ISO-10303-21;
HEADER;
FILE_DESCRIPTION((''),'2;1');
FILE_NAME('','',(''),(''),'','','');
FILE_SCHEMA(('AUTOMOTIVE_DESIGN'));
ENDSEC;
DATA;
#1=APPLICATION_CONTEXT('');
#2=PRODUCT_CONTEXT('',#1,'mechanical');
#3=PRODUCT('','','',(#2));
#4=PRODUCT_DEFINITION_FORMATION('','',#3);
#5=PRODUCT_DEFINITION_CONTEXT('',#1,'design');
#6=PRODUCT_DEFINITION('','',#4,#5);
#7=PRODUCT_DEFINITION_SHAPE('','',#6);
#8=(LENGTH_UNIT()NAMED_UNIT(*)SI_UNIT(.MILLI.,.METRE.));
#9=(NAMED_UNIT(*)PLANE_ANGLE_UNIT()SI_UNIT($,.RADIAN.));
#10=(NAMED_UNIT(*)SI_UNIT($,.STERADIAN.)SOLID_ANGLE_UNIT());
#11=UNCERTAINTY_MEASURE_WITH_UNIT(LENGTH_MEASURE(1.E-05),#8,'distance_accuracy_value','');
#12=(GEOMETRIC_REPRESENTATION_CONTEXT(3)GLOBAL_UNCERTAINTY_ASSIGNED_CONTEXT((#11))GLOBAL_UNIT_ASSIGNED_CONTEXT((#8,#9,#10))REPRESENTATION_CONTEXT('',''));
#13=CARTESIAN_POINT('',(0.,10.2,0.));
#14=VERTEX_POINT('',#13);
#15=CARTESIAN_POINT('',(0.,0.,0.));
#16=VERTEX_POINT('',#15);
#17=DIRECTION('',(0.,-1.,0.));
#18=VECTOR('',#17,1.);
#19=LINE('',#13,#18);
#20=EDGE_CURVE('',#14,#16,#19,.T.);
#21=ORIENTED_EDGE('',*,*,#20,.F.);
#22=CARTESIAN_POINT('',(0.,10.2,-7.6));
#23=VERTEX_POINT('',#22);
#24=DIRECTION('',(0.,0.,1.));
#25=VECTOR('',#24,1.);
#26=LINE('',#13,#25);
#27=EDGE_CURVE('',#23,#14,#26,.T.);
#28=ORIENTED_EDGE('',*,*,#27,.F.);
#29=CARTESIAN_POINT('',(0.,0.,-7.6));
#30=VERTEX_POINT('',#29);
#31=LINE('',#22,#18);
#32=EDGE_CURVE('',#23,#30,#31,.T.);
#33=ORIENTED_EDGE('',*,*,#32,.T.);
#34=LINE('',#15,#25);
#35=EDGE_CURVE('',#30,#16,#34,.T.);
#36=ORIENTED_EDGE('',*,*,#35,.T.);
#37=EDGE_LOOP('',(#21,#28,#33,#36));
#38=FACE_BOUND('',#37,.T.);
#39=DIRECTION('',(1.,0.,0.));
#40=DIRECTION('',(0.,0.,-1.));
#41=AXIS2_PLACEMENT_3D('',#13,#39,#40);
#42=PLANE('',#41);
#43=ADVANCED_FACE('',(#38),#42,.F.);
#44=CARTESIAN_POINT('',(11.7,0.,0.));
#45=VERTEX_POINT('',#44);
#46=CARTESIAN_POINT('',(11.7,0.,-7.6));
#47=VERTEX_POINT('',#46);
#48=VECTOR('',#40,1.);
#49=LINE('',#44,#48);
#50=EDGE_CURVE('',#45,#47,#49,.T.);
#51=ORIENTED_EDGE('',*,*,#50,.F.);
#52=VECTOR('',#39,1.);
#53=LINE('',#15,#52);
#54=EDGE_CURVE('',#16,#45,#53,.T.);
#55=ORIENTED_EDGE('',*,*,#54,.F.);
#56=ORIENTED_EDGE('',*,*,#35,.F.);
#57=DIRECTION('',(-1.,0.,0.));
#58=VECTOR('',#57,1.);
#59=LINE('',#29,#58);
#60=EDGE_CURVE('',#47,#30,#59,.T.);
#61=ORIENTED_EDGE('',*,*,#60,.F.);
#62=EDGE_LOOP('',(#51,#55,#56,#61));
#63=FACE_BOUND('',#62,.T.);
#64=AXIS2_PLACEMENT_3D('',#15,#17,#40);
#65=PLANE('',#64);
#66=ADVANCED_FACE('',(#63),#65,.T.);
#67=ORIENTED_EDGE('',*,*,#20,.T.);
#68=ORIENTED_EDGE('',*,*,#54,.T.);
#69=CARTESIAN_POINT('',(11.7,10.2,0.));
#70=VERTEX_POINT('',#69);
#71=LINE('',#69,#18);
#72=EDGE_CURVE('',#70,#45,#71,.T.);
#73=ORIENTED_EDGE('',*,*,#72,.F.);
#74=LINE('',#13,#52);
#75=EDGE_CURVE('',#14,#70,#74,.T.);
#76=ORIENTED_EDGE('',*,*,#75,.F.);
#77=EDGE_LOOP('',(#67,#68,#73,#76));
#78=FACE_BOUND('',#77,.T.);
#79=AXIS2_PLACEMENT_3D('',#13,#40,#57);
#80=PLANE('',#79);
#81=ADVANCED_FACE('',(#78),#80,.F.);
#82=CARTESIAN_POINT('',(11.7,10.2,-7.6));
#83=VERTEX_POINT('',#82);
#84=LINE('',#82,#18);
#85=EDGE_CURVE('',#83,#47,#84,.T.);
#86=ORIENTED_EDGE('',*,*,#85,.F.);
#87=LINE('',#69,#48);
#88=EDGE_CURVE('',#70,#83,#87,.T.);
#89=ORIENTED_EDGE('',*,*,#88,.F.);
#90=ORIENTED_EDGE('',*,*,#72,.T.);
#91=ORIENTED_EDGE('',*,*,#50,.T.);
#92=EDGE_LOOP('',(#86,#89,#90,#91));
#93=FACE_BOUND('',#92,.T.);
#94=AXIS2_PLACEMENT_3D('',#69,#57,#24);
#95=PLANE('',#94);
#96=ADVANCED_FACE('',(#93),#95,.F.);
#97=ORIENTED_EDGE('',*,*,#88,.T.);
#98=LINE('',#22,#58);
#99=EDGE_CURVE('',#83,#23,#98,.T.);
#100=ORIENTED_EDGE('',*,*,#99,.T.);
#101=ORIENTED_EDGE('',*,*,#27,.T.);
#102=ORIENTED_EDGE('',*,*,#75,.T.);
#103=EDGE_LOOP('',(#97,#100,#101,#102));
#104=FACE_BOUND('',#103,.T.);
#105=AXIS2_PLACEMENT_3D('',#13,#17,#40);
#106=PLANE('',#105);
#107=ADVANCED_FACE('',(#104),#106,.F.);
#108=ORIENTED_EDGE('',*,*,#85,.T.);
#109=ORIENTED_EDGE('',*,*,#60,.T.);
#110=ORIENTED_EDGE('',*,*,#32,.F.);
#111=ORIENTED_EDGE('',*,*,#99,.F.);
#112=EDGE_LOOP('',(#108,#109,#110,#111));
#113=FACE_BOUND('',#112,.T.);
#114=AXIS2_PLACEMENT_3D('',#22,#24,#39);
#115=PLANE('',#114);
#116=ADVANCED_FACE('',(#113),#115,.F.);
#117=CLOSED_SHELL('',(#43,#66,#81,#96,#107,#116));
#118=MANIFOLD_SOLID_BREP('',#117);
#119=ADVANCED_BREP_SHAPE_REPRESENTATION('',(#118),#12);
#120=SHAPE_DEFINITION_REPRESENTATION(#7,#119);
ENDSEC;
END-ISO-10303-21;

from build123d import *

# Parameters (mm, degrees)
SKETCH1_W           = 11.7
SKETCH1_H           = 7.6
BOSS_EXTRUDE1_DEPTH = 10.2


with BuildPart() as part:
    # Sketch1 → Boss-Extrude1 (new body)
    with BuildSketch(Plane(origin=(0, 0, 0), x_dir=(1, 0, 0), z_dir=(0, 1, 0))):
        with Locations((5.85, 3.8)):
            Rectangle(SKETCH1_W, SKETCH1_H)
    extrude(amount=BOSS_EXTRUDE1_DEPTH)


solid = part.part
